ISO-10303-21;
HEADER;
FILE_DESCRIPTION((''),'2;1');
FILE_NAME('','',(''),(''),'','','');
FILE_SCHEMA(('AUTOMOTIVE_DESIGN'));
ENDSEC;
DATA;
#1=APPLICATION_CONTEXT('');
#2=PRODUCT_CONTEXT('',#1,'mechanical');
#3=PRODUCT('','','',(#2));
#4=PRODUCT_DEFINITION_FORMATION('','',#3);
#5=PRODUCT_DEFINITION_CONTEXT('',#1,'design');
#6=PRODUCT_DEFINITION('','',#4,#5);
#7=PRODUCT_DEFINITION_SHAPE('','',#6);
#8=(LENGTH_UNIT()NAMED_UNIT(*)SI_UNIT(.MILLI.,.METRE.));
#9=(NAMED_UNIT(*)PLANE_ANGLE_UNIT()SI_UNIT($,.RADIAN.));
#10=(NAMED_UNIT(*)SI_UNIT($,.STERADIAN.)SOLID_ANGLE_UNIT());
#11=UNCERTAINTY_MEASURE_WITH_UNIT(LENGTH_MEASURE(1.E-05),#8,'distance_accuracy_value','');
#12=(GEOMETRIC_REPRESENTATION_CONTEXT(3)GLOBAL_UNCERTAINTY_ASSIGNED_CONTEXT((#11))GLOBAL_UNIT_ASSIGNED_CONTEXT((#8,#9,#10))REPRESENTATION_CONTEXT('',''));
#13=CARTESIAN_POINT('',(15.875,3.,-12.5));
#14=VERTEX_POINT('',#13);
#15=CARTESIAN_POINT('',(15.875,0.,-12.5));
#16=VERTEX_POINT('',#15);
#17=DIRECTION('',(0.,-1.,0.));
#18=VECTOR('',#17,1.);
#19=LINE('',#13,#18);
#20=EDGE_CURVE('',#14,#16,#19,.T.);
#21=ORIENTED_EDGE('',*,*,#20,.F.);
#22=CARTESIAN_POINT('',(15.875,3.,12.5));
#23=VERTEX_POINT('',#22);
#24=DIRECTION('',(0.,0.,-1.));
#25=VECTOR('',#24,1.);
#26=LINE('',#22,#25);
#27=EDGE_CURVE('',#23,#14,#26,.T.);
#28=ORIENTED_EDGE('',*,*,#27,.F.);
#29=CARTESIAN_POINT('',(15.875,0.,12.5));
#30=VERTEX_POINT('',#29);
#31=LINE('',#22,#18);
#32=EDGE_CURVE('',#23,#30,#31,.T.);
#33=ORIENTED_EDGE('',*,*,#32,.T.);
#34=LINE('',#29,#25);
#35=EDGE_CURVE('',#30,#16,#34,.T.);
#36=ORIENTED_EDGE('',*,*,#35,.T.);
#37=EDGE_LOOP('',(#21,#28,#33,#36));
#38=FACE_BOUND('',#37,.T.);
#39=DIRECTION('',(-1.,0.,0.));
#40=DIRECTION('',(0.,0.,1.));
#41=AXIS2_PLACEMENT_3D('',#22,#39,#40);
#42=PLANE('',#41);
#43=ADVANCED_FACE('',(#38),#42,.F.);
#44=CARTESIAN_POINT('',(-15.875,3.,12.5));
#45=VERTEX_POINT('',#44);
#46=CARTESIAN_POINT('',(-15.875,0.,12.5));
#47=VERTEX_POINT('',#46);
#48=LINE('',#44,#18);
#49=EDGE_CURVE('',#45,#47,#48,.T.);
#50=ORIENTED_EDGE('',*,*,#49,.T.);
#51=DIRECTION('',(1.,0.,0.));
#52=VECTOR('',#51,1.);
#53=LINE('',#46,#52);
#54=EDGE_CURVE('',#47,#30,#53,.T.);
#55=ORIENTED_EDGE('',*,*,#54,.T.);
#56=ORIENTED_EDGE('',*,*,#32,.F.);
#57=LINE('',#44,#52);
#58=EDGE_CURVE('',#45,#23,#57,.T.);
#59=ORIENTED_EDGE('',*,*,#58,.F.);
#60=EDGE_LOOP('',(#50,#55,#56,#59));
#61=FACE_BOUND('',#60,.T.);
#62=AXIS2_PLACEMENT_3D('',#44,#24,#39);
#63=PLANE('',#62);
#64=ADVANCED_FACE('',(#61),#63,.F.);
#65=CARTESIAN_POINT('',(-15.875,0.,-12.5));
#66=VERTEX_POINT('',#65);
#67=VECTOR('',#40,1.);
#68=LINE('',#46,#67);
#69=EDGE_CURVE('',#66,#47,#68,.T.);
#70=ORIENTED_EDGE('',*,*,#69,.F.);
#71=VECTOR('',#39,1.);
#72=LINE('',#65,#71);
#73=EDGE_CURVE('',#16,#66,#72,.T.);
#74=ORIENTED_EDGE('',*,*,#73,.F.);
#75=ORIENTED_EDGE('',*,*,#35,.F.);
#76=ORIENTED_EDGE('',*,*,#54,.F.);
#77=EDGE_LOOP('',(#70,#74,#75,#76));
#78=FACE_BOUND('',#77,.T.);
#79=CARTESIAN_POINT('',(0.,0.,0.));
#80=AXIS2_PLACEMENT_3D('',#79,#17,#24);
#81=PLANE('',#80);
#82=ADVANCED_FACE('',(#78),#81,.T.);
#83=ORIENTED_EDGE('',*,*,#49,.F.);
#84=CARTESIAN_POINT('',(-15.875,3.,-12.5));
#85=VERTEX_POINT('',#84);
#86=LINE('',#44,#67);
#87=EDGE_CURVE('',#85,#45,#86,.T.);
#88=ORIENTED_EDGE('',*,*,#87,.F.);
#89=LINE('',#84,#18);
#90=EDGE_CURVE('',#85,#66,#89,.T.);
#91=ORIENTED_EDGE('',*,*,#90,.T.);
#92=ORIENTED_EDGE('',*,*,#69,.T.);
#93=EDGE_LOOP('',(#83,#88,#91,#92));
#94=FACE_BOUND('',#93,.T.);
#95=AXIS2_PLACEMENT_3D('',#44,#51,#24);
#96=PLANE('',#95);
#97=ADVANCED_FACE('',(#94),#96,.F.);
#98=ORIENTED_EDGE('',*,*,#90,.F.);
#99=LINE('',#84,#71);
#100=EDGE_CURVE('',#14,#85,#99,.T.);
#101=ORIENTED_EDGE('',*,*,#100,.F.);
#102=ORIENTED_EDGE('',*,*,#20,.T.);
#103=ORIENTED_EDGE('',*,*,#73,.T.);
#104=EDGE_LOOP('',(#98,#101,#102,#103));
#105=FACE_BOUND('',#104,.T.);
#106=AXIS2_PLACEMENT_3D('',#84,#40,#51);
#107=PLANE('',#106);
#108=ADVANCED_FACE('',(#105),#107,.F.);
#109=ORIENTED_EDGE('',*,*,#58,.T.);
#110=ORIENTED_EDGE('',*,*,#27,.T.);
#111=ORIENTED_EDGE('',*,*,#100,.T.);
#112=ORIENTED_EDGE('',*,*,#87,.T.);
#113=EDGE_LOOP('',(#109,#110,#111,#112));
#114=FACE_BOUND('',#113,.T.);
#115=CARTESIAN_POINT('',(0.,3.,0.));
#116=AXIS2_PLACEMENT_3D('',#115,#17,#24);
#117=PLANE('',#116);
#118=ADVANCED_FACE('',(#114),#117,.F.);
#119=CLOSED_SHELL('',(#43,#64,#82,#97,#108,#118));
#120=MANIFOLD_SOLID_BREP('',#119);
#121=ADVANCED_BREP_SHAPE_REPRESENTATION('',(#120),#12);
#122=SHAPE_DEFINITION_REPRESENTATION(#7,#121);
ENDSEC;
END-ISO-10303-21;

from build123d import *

# Parameters (mm, degrees)
SKETCH1_W           = 31.75
SKETCH1_H           = 25
BOSS_EXTRUDE1_DEPTH = 3


with BuildPart() as part:
    # Sketch1 → Boss-Extrude1 (new body)
    with BuildSketch(Plane(origin=(0, 0, 0), x_dir=(1, 0, 0), z_dir=(0, 1, 0))):
        Rectangle(SKETCH1_W, SKETCH1_H)
    extrude(amount=BOSS_EXTRUDE1_DEPTH)


solid = part.part
